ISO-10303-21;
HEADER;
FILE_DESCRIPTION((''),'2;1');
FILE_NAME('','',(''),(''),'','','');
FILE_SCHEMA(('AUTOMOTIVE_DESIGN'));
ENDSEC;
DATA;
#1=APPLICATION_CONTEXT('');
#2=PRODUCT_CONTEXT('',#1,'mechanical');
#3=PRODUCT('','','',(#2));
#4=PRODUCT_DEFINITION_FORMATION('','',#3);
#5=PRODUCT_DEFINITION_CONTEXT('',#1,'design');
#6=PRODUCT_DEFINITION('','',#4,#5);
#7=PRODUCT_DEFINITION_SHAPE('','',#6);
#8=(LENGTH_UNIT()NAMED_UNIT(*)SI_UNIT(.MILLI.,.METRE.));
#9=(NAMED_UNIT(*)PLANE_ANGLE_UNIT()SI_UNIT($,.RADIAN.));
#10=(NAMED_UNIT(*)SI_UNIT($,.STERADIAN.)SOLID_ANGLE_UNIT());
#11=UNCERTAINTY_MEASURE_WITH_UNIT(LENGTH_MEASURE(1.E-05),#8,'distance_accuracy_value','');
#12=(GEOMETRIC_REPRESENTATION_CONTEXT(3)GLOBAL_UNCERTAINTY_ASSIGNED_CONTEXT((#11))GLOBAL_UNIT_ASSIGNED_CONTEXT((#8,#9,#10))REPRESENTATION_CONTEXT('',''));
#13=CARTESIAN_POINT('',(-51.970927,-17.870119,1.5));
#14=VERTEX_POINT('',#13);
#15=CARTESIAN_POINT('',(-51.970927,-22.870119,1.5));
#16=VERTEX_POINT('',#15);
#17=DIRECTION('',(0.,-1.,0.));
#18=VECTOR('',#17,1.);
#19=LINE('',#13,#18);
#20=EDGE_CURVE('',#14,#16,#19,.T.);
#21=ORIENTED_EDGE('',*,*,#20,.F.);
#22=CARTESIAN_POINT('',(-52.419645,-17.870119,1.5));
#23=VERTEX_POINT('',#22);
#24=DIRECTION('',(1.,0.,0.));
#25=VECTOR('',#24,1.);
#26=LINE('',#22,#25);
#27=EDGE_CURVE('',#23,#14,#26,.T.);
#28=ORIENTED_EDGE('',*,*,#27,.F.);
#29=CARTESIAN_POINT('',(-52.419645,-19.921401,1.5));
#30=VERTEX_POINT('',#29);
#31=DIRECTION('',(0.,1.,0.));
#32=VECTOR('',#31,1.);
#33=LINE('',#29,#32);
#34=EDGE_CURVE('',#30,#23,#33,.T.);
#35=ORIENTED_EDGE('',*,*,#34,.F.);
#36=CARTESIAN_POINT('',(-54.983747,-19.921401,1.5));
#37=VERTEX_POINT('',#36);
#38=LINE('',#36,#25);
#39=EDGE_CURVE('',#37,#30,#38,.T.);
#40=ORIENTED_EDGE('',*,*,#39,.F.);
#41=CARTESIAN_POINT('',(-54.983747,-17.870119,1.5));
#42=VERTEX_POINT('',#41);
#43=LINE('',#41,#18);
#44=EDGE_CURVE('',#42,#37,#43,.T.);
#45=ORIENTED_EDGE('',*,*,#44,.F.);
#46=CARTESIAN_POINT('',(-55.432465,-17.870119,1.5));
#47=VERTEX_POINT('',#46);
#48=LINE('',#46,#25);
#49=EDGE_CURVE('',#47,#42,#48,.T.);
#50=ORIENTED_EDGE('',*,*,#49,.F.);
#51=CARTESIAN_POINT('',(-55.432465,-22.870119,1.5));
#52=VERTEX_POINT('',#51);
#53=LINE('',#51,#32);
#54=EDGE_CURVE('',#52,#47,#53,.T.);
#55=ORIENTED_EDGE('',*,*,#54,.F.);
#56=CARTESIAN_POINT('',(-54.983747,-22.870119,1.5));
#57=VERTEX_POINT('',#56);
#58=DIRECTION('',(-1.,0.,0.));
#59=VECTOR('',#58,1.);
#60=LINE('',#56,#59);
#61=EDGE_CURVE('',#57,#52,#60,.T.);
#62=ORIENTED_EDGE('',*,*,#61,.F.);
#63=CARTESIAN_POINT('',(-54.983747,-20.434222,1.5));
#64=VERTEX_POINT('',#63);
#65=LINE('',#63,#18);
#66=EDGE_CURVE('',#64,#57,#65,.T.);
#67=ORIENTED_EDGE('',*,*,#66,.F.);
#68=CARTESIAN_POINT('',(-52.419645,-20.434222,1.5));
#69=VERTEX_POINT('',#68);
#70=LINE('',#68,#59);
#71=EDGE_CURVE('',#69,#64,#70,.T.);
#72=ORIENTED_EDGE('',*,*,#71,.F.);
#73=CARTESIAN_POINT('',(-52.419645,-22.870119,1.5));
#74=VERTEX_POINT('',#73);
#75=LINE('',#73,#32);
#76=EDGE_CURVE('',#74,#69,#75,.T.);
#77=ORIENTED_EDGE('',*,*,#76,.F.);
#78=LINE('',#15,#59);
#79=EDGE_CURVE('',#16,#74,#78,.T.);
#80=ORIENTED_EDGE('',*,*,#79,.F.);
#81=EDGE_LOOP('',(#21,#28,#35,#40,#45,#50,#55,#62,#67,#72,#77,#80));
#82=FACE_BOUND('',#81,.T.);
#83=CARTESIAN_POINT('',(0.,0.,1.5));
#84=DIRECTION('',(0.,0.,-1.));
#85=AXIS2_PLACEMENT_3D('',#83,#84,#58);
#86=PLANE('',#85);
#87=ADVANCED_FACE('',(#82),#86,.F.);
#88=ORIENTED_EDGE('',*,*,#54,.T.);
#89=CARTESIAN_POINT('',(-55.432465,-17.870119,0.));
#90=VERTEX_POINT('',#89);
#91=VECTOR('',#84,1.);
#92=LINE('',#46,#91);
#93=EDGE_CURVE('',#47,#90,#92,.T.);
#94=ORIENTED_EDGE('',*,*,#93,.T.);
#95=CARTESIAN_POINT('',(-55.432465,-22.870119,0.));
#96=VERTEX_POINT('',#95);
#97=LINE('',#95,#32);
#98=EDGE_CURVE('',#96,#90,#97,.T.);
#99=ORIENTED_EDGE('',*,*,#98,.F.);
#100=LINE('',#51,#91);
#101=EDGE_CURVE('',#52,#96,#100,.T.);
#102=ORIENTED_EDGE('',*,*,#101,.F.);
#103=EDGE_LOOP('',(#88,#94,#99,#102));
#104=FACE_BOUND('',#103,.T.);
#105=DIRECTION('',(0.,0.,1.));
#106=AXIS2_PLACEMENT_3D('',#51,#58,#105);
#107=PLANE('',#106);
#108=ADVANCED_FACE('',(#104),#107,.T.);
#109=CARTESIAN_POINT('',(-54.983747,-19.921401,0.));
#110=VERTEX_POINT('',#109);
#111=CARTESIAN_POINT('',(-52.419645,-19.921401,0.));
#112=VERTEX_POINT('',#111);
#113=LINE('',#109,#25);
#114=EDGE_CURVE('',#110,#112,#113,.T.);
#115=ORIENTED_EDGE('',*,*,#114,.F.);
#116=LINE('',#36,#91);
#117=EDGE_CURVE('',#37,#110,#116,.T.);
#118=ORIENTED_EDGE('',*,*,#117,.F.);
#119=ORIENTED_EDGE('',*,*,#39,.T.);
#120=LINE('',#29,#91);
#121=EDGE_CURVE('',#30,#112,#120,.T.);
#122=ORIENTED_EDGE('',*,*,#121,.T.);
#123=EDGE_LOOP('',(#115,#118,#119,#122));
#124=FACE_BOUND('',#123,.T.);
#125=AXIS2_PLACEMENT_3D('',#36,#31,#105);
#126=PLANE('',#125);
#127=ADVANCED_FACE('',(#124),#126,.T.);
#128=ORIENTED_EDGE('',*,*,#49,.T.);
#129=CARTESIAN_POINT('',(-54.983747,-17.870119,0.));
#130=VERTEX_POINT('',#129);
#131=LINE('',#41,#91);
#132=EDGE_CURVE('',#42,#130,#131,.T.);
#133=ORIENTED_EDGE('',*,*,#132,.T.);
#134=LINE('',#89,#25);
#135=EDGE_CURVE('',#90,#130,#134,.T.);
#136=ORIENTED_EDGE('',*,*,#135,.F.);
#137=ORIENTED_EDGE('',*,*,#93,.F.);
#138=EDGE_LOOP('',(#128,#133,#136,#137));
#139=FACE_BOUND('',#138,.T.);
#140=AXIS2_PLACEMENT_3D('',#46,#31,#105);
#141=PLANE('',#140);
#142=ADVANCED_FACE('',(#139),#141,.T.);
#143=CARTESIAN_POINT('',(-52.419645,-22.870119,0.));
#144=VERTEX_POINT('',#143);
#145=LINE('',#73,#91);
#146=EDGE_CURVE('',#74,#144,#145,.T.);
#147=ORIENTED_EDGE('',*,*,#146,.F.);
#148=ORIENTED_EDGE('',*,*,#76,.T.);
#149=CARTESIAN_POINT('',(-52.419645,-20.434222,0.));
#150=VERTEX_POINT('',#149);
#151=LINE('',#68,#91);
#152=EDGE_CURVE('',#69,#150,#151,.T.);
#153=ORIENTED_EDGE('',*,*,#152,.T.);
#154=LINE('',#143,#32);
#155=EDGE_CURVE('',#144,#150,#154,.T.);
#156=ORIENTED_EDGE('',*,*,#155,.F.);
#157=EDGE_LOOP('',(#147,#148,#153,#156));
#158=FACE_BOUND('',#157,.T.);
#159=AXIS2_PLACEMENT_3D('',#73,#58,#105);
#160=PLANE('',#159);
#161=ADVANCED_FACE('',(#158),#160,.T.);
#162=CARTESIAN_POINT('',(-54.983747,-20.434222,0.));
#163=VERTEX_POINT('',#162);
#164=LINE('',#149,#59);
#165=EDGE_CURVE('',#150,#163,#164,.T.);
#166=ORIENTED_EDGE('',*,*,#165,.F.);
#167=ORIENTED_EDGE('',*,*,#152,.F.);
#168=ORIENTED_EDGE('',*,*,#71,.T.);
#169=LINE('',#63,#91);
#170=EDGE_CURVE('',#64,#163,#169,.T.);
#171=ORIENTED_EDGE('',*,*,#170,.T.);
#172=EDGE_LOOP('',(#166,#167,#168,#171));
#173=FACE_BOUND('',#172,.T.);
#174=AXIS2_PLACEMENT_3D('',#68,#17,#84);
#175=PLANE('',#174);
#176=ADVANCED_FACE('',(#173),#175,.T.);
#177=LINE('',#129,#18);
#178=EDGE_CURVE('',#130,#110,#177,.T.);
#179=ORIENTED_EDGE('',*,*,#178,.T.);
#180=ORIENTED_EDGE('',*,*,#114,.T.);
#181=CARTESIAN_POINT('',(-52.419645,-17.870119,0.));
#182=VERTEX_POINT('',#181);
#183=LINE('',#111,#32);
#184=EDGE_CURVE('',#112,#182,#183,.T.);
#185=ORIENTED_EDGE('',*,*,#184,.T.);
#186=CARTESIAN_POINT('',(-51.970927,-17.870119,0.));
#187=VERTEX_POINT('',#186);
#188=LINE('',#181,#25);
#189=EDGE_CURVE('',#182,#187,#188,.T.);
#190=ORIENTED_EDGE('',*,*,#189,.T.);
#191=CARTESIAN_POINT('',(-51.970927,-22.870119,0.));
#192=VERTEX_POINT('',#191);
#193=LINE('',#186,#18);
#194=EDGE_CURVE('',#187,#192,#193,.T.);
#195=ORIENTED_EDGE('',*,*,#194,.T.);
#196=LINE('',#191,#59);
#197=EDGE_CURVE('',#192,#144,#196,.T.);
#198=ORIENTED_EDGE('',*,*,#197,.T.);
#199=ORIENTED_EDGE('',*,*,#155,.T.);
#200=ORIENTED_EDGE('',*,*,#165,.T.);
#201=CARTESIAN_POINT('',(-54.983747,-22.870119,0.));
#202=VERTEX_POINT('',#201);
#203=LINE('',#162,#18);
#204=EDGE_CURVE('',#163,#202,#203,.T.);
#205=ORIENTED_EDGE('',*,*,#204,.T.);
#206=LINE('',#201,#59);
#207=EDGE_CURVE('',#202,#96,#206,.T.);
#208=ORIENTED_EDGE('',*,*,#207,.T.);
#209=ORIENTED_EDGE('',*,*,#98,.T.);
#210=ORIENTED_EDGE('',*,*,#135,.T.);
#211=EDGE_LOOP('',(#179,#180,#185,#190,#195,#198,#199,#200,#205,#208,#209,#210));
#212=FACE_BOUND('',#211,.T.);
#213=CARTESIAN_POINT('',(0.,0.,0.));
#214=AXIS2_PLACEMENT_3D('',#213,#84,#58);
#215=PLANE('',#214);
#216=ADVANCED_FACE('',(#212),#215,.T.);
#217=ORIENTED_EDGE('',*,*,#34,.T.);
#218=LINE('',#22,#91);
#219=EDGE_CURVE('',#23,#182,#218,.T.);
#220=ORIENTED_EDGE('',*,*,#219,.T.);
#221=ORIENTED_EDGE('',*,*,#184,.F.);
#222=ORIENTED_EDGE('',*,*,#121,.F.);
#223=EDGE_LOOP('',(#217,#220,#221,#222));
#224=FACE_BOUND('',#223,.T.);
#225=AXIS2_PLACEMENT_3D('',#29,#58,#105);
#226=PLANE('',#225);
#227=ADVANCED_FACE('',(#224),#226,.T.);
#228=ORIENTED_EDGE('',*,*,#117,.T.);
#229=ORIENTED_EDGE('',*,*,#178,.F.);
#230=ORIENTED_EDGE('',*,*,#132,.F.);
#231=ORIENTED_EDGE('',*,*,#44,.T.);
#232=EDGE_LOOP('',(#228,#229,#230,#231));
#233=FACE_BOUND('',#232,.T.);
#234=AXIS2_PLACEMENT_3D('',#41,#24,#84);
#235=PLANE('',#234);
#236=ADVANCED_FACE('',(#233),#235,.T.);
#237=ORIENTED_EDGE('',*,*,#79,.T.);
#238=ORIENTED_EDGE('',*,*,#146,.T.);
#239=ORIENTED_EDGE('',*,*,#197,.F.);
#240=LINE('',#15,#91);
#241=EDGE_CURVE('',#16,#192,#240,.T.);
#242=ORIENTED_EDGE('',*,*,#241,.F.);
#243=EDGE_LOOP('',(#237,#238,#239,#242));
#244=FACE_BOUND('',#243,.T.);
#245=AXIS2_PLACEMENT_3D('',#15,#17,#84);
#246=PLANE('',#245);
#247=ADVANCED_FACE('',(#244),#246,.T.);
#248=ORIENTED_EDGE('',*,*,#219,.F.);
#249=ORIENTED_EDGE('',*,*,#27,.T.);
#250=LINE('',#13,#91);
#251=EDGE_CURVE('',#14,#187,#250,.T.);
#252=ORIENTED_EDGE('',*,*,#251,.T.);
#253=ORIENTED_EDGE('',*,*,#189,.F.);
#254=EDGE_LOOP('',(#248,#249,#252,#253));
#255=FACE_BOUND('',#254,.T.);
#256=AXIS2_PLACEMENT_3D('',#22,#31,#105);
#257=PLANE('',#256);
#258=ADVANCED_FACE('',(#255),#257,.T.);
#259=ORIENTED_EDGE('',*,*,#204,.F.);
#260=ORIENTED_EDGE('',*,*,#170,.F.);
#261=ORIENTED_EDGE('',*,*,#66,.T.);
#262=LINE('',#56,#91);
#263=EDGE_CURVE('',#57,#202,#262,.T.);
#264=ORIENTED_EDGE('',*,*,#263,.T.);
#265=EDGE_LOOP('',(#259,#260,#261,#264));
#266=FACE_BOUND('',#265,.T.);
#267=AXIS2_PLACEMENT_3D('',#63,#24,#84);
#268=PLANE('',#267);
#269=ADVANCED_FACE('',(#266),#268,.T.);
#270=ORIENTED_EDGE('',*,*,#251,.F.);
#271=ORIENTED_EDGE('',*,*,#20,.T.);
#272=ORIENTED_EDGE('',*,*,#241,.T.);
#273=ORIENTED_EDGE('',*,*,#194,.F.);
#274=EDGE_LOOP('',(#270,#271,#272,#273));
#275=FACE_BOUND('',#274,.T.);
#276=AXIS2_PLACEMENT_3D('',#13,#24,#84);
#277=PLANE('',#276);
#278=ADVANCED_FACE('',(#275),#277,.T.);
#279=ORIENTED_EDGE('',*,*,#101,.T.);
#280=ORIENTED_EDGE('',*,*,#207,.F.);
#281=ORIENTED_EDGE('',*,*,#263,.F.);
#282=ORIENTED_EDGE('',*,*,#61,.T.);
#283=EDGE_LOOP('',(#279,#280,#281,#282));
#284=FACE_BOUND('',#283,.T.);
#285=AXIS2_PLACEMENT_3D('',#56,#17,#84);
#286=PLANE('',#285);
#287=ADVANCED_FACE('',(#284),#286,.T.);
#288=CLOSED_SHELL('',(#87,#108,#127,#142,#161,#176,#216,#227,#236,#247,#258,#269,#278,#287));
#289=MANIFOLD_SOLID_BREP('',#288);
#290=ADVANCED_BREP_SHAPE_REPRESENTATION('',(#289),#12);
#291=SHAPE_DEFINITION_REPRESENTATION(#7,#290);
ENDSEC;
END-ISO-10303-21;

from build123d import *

# Parameters (mm, degrees)
BOSS_EXTRU_1_DEPTH = 1.5


with BuildPart() as part:
    # Esquisse1 → Boss.-Extru.1 (new body)
    with BuildSketch(Plane.XY):
        Polygon((-55.432465326, -17.870119076), (-54.983747377, -17.870119076), (-54.983747377, -19.921401128), (-52.419644813, -19.921401128), (-52.419644813, -17.870119076), (-51.970926864, -17.870119076), (-51.970926864, -22.870119076), (-52.419644813, -22.870119076), (-52.419644813, -20.43422164), (-54.983747377, -20.43422164), (-54.983747377, -22.870119076), (-55.432465326, -22.870119076), align=None)
    extrude(amount=BOSS_EXTRU_1_DEPTH)


solid = part.part
